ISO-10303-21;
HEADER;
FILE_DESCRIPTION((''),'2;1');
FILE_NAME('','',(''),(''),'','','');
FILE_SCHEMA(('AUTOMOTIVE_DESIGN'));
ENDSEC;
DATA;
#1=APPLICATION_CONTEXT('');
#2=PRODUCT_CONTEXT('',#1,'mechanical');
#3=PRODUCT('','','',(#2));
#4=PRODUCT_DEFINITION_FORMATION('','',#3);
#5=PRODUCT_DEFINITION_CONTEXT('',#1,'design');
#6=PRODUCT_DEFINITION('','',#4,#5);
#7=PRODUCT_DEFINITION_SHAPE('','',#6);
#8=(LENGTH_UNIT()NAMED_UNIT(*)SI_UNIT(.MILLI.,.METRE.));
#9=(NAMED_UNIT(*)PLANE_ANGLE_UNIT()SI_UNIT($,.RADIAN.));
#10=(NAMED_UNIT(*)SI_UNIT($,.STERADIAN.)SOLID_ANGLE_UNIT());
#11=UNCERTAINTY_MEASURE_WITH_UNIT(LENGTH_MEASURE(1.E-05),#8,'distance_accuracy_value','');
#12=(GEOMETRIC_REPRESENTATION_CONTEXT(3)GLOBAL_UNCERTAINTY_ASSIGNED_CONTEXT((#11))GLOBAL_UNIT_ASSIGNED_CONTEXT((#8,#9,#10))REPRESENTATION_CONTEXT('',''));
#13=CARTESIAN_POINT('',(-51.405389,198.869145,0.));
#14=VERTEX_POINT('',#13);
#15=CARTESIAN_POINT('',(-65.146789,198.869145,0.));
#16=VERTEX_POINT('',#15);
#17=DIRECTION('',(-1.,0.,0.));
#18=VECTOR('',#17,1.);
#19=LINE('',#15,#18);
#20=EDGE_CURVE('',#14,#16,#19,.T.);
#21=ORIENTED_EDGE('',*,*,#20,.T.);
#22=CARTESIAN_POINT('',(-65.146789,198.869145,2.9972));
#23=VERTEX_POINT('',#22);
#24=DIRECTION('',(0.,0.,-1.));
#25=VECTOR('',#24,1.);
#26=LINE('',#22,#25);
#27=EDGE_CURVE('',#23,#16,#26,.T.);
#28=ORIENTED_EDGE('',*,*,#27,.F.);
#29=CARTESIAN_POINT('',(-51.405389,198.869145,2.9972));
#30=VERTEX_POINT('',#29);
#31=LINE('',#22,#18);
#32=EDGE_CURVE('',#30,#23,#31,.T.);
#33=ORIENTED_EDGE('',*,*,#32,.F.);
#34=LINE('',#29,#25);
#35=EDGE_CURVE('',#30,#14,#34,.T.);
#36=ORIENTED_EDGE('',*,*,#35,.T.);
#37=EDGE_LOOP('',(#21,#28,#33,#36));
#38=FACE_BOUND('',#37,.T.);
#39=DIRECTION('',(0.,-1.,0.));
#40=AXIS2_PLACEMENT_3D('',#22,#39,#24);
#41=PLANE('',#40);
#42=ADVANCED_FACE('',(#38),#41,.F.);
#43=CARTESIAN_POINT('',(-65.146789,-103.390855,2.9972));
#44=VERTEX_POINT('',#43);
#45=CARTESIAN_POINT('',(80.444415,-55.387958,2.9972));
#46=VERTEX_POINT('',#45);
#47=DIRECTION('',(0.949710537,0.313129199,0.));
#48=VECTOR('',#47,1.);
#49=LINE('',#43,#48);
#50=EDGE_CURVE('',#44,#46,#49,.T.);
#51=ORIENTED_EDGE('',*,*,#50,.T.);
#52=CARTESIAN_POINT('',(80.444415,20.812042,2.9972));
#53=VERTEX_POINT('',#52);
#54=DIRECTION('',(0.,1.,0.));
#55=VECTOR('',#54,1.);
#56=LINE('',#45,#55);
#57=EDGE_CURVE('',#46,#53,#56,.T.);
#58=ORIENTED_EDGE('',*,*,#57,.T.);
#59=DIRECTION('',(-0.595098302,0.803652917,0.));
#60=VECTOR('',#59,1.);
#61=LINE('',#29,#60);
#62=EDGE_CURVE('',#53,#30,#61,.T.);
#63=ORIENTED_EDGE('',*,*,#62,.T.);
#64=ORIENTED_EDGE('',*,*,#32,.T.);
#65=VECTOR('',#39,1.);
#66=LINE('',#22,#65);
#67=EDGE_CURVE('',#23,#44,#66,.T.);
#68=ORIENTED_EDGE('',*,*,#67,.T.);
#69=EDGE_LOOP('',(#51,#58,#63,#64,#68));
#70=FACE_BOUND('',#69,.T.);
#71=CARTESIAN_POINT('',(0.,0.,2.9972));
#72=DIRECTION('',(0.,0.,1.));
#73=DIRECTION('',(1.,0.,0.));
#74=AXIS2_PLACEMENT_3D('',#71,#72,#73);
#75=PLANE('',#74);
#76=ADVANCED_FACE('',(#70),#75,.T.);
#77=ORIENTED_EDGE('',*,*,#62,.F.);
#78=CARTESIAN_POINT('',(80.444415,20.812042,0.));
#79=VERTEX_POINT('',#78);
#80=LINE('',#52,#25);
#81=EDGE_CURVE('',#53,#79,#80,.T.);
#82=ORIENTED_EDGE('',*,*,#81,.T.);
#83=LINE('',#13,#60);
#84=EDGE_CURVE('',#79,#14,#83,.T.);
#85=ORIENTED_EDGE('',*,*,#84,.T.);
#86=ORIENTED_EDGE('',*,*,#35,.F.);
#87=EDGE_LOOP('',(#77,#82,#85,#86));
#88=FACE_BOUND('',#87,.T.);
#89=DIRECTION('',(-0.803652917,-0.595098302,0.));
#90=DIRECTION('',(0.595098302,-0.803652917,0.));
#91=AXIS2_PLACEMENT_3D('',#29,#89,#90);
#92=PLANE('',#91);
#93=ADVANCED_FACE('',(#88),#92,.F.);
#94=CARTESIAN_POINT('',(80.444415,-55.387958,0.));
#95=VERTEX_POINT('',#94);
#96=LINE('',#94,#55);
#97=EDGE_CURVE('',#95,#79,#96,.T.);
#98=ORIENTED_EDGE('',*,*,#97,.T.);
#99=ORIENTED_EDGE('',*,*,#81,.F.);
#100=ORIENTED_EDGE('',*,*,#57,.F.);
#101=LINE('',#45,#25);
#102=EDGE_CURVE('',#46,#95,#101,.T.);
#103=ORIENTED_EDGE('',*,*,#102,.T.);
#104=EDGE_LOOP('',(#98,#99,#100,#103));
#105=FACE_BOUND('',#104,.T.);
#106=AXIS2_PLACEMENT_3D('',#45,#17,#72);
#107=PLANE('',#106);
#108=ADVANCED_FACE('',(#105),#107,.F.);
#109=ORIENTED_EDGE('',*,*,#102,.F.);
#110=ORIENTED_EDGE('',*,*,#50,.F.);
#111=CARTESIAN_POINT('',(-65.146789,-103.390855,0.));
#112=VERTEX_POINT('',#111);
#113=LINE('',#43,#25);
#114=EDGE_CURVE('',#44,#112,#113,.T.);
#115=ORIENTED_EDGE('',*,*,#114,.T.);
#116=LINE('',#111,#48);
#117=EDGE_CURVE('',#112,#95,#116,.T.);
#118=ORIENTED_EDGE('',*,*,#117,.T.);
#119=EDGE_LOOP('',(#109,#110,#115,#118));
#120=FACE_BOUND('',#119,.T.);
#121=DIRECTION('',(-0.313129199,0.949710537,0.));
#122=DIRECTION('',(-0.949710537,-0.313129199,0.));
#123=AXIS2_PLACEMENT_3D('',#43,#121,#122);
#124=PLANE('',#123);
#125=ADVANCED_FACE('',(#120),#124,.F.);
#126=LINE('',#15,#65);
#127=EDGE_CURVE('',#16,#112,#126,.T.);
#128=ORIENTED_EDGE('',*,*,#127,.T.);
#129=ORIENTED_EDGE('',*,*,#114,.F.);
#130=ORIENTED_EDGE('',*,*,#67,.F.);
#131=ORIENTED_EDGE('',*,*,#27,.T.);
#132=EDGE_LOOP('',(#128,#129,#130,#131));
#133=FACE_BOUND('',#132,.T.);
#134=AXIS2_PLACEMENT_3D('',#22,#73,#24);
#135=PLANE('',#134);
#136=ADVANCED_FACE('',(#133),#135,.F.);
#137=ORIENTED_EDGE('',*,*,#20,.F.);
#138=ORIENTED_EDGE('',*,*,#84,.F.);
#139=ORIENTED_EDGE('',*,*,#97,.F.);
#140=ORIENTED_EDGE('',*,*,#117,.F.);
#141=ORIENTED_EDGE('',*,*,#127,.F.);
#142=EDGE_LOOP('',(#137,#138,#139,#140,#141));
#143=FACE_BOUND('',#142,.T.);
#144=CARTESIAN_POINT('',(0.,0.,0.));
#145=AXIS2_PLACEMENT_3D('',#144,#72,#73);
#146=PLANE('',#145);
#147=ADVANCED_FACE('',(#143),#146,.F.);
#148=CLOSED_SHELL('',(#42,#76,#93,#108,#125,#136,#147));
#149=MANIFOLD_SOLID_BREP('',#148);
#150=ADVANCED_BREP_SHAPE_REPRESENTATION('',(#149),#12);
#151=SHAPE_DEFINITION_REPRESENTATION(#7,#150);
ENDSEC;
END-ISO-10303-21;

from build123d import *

# Parameters (mm, degrees)
BOSS_EXTRUDE1_DEPTH = 2.9972


with BuildPart() as part:
    # Sketch1 → Boss-Extrude1 (new body)
    with BuildSketch(Plane.XY):
        Polygon((-65.146788831, 198.869144852), (-65.146788831, -103.390855148), (80.444415358, -55.387958115), (80.444415358, 20.812041885), (-51.405388831, 198.869144852), align=None)
    extrude(amount=BOSS_EXTRUDE1_DEPTH)


solid = part.part
